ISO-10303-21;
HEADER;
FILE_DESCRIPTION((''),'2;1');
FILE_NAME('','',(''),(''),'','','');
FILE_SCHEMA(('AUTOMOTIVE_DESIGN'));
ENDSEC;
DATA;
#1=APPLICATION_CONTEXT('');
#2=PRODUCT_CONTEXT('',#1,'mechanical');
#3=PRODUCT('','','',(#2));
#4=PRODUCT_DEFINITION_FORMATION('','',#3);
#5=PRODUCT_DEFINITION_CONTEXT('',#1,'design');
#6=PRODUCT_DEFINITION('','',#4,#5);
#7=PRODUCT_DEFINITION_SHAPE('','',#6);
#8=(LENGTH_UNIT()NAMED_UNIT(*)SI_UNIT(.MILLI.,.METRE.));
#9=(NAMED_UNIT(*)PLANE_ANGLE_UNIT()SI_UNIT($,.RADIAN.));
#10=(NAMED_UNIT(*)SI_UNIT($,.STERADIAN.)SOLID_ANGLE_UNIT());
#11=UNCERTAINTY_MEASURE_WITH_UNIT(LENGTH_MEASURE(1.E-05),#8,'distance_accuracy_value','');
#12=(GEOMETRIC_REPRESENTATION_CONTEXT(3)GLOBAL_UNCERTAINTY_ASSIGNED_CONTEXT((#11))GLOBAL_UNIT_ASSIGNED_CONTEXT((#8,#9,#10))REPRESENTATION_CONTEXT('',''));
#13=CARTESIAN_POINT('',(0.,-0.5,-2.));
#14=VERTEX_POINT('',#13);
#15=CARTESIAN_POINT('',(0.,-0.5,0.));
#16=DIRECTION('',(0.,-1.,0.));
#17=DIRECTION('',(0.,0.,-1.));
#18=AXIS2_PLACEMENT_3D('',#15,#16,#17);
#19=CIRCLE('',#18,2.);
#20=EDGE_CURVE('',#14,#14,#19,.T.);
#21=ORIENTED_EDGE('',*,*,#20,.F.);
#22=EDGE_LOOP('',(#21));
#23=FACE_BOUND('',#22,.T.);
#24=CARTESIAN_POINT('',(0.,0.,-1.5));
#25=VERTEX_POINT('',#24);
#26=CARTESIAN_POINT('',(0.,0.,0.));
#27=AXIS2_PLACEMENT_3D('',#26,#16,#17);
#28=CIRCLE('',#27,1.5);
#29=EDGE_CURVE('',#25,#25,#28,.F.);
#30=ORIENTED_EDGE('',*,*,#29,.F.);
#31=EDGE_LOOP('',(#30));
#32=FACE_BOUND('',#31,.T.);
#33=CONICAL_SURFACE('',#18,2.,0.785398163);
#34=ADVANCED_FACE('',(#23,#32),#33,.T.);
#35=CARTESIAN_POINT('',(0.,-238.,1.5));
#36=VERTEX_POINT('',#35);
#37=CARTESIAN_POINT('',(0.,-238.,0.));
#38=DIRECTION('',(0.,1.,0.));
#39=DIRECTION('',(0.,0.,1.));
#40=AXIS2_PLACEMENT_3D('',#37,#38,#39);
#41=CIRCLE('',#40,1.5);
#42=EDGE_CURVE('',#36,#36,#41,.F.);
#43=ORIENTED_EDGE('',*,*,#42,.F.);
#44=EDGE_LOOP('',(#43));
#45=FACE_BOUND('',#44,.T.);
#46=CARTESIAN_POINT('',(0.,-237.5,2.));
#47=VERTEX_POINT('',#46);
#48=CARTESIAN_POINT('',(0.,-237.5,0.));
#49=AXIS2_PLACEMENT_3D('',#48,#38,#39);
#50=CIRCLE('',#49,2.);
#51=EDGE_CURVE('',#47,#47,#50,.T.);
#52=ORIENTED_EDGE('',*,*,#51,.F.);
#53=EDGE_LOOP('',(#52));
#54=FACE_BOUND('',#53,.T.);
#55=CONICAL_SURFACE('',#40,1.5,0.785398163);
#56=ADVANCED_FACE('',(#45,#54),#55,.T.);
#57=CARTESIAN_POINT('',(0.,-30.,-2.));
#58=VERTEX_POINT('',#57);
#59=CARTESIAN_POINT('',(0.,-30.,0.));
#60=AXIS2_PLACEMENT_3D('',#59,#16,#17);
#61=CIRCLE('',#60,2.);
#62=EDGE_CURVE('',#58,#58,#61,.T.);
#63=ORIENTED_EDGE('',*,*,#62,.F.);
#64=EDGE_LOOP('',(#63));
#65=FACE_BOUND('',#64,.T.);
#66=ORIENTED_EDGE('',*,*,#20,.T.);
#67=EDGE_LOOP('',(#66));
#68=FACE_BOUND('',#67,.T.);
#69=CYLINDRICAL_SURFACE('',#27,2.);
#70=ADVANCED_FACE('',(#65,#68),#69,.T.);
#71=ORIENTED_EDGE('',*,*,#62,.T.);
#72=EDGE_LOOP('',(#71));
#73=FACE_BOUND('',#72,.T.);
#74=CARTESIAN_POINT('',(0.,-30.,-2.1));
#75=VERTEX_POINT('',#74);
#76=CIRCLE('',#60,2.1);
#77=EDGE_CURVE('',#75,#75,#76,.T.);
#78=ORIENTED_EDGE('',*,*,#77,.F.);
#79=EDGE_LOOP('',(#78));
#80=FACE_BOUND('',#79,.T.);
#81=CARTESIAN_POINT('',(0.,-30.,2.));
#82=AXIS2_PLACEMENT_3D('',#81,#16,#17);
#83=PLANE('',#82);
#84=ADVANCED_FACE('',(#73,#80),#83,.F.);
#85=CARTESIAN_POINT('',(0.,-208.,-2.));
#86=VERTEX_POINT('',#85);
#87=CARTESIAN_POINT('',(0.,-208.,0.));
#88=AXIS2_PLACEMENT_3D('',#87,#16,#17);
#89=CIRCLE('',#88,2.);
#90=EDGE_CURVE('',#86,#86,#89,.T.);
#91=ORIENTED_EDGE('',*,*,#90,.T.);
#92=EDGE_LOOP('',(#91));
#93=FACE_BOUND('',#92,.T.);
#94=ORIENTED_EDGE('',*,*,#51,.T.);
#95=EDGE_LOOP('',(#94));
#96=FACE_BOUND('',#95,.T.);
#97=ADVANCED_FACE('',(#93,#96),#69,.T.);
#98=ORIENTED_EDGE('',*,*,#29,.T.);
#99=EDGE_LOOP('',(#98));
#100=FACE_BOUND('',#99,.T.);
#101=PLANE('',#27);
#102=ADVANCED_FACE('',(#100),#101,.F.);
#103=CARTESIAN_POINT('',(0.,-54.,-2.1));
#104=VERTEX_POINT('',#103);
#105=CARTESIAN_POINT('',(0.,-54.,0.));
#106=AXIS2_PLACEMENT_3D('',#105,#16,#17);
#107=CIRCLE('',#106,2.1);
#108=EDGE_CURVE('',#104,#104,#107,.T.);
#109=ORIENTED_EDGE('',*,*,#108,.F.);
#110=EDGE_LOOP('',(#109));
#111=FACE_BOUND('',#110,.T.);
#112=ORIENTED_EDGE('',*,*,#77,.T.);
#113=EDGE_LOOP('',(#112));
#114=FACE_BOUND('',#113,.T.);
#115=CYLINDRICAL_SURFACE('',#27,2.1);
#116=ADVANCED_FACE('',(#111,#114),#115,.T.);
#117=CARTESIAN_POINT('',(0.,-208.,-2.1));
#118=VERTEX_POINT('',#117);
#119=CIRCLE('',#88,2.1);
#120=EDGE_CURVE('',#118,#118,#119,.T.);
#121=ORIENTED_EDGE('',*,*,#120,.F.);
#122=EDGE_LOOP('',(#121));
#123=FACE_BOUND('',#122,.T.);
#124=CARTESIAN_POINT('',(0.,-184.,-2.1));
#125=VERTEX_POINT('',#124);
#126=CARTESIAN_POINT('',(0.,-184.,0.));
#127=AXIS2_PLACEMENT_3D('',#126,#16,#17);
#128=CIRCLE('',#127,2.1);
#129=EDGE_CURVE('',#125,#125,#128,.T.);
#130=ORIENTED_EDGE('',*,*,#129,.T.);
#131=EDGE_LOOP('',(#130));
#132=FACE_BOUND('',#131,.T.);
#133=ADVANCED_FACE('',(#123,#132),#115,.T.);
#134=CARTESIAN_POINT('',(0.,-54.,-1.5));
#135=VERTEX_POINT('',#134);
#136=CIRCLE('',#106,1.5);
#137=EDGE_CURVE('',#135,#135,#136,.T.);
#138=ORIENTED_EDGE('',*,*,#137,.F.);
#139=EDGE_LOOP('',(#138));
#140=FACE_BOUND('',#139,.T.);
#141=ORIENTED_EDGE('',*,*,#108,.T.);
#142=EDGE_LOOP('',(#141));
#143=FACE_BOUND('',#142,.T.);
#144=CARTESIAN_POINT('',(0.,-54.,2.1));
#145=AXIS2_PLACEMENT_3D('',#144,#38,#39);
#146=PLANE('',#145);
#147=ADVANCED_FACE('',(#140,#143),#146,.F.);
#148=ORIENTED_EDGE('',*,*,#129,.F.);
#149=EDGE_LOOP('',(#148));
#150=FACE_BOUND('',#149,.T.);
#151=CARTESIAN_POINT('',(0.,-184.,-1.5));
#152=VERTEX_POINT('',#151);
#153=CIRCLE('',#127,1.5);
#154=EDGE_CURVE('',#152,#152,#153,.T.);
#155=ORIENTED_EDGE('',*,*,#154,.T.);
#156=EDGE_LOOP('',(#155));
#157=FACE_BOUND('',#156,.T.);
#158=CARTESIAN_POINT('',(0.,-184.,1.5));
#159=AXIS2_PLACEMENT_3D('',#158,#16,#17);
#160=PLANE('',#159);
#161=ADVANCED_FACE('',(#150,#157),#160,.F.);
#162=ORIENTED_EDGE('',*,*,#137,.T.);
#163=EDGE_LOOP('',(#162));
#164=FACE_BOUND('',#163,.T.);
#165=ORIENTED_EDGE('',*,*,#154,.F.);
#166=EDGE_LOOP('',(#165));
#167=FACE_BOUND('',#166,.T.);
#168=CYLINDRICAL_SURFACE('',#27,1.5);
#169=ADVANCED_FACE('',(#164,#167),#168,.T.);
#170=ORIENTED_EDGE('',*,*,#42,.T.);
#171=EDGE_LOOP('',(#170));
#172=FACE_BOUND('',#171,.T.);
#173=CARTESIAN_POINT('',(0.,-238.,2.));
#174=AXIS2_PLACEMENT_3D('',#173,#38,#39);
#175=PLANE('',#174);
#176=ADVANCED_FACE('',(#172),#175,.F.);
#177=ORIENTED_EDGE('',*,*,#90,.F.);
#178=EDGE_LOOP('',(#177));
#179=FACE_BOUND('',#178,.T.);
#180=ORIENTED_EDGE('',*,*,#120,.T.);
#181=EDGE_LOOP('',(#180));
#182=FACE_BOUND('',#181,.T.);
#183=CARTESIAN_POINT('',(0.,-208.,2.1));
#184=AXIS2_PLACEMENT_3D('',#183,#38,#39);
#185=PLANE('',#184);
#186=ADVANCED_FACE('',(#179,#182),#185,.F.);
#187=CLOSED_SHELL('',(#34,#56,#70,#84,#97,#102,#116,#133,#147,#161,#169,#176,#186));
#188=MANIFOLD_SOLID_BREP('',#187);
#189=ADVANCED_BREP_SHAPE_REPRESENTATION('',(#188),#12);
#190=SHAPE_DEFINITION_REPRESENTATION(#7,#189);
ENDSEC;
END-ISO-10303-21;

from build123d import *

# Parameters (mm, degrees)
FASE1_SIZE = 0.5


with BuildPart() as part:
    # Skizze1 → Rotation1 (revolve)
    with BuildSketch(Plane(origin=(0, 0, 0), x_dir=(0, 0, -1), z_dir=(1, 0, 0))):
        Polygon((0, 0), (-2, 0), (-2, -30), (-2.1, -30), (-2.1, -54), (-1.5, -54), (-1.5, -184), (-2.1, -184), (-2.1, -208), (-2, -208), (-2, -238), (0, -238), align=None)
    revolve(axis=Axis((0, 0, 0), (0, 1, 0)))

    # Fase1
    fase1_edges = [part.edges().sort_by_distance(p)[0] for p in [
        (0, 0, -2),
        (0, -238, -2),
    ]]
    chamfer(fase1_edges, length=FASE1_SIZE)


solid = part.part
